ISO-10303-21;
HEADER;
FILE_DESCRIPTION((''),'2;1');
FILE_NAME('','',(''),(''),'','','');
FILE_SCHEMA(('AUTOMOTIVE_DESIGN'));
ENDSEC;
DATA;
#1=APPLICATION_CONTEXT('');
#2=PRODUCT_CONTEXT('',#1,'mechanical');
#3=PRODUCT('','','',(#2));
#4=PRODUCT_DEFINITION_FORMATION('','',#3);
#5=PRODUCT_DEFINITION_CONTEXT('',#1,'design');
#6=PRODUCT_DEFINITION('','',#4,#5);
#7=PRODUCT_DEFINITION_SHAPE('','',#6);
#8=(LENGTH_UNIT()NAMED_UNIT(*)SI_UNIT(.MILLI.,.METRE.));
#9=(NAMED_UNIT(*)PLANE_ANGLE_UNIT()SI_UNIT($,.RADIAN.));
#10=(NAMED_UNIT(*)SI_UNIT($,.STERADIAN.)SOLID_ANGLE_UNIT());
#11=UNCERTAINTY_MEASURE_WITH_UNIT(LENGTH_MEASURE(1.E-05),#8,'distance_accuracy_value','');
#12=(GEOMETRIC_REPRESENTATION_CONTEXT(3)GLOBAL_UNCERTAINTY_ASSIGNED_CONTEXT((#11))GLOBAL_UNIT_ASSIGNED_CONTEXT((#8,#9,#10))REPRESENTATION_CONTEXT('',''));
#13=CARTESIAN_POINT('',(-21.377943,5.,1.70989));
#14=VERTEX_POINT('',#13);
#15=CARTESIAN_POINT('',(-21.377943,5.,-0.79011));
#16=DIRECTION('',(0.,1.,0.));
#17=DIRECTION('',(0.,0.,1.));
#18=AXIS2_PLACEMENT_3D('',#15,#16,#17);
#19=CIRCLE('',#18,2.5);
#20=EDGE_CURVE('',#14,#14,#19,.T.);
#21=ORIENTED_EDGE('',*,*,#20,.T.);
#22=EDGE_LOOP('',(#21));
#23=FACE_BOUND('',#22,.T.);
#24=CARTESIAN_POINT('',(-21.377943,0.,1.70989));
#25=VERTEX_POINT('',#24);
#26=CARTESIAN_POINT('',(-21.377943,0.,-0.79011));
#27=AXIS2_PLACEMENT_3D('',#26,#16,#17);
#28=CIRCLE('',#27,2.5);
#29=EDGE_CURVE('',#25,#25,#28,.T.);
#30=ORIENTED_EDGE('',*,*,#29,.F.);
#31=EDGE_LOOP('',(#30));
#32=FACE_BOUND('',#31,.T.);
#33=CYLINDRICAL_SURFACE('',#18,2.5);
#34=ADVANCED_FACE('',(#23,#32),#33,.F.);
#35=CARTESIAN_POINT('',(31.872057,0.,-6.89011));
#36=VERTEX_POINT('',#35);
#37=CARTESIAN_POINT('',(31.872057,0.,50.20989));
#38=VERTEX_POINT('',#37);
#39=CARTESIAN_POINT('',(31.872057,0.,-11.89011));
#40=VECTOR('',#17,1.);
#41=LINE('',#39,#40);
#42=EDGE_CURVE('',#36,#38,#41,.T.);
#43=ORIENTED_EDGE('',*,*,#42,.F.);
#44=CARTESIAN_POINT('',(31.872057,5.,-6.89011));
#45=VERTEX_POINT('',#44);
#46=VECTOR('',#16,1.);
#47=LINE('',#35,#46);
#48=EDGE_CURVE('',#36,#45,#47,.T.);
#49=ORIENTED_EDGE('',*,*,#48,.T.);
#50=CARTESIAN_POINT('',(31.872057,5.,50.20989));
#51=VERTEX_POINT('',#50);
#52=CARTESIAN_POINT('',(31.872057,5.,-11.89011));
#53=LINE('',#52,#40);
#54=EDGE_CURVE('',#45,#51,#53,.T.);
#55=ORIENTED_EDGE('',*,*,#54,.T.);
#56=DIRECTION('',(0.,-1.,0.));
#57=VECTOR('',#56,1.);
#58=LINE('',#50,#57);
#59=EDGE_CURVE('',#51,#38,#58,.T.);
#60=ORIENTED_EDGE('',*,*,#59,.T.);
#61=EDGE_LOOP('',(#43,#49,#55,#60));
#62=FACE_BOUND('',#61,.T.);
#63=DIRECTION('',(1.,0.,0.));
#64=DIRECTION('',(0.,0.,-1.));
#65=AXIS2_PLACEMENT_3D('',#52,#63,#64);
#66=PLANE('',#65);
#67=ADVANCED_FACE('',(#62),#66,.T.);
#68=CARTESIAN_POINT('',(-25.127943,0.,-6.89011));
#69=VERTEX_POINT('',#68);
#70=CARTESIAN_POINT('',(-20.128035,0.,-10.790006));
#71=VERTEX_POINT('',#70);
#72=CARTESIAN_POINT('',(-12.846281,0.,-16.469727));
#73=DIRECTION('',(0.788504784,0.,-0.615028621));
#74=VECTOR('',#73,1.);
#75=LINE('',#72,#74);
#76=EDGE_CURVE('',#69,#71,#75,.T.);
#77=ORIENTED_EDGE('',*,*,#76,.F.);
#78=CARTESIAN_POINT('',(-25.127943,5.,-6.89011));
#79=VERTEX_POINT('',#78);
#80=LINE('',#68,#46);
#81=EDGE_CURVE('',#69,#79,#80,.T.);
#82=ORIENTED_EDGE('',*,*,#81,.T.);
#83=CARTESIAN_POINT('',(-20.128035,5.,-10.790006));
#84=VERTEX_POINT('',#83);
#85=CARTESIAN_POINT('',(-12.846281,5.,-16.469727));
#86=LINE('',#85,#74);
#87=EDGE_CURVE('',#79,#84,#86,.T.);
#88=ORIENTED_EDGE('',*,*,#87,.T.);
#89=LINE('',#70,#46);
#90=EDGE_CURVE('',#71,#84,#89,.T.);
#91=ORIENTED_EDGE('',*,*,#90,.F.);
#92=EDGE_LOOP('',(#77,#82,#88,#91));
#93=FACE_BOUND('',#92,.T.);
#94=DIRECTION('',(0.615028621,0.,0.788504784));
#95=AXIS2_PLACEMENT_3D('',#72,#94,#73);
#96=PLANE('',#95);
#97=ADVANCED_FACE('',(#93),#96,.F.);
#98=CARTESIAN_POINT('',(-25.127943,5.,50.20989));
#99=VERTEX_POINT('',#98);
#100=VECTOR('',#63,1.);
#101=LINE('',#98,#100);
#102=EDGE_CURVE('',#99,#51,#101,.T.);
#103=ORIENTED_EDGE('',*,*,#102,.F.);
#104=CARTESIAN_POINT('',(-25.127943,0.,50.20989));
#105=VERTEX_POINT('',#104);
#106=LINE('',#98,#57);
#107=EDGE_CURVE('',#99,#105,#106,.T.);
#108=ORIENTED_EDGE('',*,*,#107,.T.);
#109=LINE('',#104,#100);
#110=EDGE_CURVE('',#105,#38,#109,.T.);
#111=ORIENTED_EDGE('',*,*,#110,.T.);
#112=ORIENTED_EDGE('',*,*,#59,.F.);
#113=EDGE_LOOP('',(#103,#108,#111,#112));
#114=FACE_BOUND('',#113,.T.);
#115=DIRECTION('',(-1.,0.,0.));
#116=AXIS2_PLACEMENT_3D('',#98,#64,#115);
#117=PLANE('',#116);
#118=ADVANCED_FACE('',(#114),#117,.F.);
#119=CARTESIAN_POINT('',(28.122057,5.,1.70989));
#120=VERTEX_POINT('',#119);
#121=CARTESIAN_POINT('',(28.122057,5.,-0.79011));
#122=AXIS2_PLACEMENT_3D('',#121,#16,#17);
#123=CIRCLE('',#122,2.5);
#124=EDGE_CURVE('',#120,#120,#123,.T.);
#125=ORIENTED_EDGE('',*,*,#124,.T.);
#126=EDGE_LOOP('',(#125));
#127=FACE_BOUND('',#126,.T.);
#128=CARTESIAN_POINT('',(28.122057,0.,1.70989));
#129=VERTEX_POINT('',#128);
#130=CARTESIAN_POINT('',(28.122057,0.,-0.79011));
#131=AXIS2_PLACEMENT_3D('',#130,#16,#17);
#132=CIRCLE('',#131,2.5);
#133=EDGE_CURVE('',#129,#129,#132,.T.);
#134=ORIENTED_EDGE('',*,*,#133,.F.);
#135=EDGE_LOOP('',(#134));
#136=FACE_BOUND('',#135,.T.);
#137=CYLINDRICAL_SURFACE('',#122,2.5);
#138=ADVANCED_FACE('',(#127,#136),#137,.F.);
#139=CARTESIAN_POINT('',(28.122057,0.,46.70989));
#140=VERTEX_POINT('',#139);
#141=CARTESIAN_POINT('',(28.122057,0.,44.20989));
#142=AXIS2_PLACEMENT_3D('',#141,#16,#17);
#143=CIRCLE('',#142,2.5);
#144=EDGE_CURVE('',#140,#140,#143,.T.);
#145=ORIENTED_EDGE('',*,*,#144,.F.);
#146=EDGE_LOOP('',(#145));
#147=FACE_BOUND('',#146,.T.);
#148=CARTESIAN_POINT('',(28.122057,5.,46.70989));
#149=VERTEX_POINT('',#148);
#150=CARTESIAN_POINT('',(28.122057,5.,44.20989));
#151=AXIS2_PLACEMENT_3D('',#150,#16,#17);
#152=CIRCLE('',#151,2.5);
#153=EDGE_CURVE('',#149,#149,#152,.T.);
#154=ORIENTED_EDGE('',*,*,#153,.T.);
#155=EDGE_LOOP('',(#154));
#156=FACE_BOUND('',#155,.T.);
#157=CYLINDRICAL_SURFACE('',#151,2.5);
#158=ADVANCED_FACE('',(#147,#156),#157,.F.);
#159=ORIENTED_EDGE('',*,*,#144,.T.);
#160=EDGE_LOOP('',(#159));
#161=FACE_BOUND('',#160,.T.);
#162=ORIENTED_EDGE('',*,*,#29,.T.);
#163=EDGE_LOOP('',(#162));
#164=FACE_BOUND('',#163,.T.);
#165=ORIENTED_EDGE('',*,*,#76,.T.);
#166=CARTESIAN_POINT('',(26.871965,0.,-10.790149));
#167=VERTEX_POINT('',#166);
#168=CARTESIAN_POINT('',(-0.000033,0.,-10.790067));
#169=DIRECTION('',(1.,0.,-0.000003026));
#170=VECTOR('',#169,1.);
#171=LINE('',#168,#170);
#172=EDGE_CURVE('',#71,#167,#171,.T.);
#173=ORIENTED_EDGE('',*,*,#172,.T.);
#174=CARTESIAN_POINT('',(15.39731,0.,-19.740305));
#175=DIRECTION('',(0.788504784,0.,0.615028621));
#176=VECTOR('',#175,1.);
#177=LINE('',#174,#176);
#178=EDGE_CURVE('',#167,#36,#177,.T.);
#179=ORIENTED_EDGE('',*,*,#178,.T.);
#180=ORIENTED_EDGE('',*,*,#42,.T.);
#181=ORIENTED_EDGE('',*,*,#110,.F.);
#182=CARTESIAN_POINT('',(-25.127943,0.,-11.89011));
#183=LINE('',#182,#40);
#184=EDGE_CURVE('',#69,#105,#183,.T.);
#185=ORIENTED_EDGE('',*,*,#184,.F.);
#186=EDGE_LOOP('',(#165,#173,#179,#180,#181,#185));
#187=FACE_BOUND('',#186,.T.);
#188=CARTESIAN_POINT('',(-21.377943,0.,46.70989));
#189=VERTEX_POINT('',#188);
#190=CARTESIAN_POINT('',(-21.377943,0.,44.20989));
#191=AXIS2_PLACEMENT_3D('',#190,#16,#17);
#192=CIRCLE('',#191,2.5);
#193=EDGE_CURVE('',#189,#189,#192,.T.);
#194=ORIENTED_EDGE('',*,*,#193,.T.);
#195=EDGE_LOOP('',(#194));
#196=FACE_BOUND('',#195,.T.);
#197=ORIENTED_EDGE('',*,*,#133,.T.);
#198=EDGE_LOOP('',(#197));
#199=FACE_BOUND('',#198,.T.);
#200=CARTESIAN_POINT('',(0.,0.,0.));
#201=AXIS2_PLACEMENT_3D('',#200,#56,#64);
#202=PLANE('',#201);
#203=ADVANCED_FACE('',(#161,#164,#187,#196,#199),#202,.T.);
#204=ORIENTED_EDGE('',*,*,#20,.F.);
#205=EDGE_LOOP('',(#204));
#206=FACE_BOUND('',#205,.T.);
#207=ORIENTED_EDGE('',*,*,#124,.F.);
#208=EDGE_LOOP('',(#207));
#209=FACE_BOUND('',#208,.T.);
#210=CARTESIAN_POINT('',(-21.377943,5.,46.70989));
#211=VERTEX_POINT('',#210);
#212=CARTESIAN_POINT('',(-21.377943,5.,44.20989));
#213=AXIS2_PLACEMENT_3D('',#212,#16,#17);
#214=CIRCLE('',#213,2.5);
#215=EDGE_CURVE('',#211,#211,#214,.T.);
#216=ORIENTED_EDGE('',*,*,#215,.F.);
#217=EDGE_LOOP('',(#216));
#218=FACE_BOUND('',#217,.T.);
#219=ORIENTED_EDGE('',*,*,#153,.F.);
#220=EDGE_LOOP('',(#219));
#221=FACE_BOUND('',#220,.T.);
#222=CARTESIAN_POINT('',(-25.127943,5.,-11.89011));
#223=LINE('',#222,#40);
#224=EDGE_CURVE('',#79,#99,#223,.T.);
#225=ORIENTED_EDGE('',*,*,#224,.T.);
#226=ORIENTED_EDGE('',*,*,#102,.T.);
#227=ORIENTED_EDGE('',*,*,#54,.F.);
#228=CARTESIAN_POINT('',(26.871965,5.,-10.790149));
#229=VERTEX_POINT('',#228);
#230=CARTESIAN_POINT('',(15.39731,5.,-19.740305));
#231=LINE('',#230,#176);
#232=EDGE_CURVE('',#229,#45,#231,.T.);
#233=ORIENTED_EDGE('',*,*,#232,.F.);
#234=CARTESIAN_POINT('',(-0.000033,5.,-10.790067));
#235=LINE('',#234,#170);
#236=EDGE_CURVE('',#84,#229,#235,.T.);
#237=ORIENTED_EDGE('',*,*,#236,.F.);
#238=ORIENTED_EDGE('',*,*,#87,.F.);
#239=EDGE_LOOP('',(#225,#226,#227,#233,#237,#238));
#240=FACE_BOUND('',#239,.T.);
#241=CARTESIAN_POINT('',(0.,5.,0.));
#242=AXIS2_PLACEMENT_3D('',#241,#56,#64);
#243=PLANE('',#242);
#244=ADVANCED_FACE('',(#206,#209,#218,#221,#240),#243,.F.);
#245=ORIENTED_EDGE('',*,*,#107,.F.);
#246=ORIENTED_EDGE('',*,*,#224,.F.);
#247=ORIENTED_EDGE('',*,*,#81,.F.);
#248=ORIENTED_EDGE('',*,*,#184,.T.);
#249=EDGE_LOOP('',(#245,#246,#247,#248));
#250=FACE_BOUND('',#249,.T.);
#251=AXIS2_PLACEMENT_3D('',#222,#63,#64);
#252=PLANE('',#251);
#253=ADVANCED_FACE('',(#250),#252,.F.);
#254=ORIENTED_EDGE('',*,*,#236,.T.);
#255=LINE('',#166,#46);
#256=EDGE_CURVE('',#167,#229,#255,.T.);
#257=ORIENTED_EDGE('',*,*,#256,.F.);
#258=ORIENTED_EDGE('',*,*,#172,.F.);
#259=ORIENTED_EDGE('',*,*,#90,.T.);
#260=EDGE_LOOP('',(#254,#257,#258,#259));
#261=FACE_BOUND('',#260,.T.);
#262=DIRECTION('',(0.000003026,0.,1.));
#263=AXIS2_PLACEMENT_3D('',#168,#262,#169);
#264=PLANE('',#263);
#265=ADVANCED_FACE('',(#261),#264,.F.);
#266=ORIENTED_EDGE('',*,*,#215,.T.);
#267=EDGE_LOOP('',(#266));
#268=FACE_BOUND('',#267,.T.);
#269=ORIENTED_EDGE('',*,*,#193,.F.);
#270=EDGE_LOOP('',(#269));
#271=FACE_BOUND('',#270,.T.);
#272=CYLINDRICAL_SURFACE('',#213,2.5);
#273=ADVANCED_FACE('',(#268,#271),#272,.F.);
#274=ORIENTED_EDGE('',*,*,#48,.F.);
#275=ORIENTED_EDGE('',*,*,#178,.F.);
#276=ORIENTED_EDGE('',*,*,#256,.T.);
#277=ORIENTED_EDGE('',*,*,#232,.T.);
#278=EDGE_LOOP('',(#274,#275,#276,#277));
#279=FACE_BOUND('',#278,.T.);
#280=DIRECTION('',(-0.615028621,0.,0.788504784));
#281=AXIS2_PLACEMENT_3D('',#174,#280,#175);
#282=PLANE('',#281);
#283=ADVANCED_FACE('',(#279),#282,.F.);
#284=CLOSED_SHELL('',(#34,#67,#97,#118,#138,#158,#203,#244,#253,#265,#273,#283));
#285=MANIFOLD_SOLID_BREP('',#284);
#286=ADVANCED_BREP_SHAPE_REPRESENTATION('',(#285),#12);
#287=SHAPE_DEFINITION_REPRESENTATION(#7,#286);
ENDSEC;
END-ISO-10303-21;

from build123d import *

# Parameters (mm, degrees)
SKETCH1_W           = 57
SKETCH1_H           = 62.1
SKETCH1_W_2         = 42
SKETCH1_H_2         = 49.6
BOSS_EXTRUDE1_DEPTH = 5
SKETCH2_W           = 42
SKETCH2_H           = 49.6
BOSS_EXTRUDE2_DEPTH = 5
M6_TAPPED_HOLE1_D   = 5
CUT_EXTRUDE1_DEPTH  = 5


with BuildPart() as part:
    # Sketch1 → Boss-Extrude1 (new body)
    with BuildSketch(Plane(origin=(0, 0, 0), x_dir=(1, 0, 0), z_dir=(0, 1, 0))):
        with Locations((3.372056515, -19.15989011)):
            Rectangle(SKETCH1_W, SKETCH1_H)
        with Locations((3.372056515, -17.90989011)):
            Rectangle(SKETCH1_W_2, SKETCH1_H_2, mode=Mode.SUBTRACT)
    extrude(amount=BOSS_EXTRUDE1_DEPTH)

    # Sketch2 → Boss-Extrude2 (add)
    with BuildSketch(Plane.XZ):
        with Locations((3.372056515, 17.90989011)):
            Rectangle(SKETCH2_W, SKETCH2_H)
    extrude(amount=-BOSS_EXTRUDE2_DEPTH)

    # M6 Tapped Hole1 (through all)
    with Locations(Plane(origin=(-21.377943485, 5, -0.79010989), x_dir=(0, 0, 1), z_dir=(0, 1, 0))):
        with Locations((0, 0), (45, 0), (45, 49.5), (0, 49.5)):
            Hole(M6_TAPPED_HOLE1_D / 2)

    # Sketch9 → Cut-Extrude1 (cut)
    with BuildSketch(Plane(origin=(0, 5, 0), x_dir=(1, 0, 0), z_dir=(0, 1, 0))):
        Polygon((-25.127943485, 11.89010989), (-25.127943485, 6.89010989), (-20.128034648, 10.790006378), (26.871965352, 10.790148591), (31.872056515, 6.89010989), (31.872056515, 11.89010989), align=None)
    extrude(amount=-CUT_EXTRUDE1_DEPTH, mode=Mode.SUBTRACT)


solid = part.part
